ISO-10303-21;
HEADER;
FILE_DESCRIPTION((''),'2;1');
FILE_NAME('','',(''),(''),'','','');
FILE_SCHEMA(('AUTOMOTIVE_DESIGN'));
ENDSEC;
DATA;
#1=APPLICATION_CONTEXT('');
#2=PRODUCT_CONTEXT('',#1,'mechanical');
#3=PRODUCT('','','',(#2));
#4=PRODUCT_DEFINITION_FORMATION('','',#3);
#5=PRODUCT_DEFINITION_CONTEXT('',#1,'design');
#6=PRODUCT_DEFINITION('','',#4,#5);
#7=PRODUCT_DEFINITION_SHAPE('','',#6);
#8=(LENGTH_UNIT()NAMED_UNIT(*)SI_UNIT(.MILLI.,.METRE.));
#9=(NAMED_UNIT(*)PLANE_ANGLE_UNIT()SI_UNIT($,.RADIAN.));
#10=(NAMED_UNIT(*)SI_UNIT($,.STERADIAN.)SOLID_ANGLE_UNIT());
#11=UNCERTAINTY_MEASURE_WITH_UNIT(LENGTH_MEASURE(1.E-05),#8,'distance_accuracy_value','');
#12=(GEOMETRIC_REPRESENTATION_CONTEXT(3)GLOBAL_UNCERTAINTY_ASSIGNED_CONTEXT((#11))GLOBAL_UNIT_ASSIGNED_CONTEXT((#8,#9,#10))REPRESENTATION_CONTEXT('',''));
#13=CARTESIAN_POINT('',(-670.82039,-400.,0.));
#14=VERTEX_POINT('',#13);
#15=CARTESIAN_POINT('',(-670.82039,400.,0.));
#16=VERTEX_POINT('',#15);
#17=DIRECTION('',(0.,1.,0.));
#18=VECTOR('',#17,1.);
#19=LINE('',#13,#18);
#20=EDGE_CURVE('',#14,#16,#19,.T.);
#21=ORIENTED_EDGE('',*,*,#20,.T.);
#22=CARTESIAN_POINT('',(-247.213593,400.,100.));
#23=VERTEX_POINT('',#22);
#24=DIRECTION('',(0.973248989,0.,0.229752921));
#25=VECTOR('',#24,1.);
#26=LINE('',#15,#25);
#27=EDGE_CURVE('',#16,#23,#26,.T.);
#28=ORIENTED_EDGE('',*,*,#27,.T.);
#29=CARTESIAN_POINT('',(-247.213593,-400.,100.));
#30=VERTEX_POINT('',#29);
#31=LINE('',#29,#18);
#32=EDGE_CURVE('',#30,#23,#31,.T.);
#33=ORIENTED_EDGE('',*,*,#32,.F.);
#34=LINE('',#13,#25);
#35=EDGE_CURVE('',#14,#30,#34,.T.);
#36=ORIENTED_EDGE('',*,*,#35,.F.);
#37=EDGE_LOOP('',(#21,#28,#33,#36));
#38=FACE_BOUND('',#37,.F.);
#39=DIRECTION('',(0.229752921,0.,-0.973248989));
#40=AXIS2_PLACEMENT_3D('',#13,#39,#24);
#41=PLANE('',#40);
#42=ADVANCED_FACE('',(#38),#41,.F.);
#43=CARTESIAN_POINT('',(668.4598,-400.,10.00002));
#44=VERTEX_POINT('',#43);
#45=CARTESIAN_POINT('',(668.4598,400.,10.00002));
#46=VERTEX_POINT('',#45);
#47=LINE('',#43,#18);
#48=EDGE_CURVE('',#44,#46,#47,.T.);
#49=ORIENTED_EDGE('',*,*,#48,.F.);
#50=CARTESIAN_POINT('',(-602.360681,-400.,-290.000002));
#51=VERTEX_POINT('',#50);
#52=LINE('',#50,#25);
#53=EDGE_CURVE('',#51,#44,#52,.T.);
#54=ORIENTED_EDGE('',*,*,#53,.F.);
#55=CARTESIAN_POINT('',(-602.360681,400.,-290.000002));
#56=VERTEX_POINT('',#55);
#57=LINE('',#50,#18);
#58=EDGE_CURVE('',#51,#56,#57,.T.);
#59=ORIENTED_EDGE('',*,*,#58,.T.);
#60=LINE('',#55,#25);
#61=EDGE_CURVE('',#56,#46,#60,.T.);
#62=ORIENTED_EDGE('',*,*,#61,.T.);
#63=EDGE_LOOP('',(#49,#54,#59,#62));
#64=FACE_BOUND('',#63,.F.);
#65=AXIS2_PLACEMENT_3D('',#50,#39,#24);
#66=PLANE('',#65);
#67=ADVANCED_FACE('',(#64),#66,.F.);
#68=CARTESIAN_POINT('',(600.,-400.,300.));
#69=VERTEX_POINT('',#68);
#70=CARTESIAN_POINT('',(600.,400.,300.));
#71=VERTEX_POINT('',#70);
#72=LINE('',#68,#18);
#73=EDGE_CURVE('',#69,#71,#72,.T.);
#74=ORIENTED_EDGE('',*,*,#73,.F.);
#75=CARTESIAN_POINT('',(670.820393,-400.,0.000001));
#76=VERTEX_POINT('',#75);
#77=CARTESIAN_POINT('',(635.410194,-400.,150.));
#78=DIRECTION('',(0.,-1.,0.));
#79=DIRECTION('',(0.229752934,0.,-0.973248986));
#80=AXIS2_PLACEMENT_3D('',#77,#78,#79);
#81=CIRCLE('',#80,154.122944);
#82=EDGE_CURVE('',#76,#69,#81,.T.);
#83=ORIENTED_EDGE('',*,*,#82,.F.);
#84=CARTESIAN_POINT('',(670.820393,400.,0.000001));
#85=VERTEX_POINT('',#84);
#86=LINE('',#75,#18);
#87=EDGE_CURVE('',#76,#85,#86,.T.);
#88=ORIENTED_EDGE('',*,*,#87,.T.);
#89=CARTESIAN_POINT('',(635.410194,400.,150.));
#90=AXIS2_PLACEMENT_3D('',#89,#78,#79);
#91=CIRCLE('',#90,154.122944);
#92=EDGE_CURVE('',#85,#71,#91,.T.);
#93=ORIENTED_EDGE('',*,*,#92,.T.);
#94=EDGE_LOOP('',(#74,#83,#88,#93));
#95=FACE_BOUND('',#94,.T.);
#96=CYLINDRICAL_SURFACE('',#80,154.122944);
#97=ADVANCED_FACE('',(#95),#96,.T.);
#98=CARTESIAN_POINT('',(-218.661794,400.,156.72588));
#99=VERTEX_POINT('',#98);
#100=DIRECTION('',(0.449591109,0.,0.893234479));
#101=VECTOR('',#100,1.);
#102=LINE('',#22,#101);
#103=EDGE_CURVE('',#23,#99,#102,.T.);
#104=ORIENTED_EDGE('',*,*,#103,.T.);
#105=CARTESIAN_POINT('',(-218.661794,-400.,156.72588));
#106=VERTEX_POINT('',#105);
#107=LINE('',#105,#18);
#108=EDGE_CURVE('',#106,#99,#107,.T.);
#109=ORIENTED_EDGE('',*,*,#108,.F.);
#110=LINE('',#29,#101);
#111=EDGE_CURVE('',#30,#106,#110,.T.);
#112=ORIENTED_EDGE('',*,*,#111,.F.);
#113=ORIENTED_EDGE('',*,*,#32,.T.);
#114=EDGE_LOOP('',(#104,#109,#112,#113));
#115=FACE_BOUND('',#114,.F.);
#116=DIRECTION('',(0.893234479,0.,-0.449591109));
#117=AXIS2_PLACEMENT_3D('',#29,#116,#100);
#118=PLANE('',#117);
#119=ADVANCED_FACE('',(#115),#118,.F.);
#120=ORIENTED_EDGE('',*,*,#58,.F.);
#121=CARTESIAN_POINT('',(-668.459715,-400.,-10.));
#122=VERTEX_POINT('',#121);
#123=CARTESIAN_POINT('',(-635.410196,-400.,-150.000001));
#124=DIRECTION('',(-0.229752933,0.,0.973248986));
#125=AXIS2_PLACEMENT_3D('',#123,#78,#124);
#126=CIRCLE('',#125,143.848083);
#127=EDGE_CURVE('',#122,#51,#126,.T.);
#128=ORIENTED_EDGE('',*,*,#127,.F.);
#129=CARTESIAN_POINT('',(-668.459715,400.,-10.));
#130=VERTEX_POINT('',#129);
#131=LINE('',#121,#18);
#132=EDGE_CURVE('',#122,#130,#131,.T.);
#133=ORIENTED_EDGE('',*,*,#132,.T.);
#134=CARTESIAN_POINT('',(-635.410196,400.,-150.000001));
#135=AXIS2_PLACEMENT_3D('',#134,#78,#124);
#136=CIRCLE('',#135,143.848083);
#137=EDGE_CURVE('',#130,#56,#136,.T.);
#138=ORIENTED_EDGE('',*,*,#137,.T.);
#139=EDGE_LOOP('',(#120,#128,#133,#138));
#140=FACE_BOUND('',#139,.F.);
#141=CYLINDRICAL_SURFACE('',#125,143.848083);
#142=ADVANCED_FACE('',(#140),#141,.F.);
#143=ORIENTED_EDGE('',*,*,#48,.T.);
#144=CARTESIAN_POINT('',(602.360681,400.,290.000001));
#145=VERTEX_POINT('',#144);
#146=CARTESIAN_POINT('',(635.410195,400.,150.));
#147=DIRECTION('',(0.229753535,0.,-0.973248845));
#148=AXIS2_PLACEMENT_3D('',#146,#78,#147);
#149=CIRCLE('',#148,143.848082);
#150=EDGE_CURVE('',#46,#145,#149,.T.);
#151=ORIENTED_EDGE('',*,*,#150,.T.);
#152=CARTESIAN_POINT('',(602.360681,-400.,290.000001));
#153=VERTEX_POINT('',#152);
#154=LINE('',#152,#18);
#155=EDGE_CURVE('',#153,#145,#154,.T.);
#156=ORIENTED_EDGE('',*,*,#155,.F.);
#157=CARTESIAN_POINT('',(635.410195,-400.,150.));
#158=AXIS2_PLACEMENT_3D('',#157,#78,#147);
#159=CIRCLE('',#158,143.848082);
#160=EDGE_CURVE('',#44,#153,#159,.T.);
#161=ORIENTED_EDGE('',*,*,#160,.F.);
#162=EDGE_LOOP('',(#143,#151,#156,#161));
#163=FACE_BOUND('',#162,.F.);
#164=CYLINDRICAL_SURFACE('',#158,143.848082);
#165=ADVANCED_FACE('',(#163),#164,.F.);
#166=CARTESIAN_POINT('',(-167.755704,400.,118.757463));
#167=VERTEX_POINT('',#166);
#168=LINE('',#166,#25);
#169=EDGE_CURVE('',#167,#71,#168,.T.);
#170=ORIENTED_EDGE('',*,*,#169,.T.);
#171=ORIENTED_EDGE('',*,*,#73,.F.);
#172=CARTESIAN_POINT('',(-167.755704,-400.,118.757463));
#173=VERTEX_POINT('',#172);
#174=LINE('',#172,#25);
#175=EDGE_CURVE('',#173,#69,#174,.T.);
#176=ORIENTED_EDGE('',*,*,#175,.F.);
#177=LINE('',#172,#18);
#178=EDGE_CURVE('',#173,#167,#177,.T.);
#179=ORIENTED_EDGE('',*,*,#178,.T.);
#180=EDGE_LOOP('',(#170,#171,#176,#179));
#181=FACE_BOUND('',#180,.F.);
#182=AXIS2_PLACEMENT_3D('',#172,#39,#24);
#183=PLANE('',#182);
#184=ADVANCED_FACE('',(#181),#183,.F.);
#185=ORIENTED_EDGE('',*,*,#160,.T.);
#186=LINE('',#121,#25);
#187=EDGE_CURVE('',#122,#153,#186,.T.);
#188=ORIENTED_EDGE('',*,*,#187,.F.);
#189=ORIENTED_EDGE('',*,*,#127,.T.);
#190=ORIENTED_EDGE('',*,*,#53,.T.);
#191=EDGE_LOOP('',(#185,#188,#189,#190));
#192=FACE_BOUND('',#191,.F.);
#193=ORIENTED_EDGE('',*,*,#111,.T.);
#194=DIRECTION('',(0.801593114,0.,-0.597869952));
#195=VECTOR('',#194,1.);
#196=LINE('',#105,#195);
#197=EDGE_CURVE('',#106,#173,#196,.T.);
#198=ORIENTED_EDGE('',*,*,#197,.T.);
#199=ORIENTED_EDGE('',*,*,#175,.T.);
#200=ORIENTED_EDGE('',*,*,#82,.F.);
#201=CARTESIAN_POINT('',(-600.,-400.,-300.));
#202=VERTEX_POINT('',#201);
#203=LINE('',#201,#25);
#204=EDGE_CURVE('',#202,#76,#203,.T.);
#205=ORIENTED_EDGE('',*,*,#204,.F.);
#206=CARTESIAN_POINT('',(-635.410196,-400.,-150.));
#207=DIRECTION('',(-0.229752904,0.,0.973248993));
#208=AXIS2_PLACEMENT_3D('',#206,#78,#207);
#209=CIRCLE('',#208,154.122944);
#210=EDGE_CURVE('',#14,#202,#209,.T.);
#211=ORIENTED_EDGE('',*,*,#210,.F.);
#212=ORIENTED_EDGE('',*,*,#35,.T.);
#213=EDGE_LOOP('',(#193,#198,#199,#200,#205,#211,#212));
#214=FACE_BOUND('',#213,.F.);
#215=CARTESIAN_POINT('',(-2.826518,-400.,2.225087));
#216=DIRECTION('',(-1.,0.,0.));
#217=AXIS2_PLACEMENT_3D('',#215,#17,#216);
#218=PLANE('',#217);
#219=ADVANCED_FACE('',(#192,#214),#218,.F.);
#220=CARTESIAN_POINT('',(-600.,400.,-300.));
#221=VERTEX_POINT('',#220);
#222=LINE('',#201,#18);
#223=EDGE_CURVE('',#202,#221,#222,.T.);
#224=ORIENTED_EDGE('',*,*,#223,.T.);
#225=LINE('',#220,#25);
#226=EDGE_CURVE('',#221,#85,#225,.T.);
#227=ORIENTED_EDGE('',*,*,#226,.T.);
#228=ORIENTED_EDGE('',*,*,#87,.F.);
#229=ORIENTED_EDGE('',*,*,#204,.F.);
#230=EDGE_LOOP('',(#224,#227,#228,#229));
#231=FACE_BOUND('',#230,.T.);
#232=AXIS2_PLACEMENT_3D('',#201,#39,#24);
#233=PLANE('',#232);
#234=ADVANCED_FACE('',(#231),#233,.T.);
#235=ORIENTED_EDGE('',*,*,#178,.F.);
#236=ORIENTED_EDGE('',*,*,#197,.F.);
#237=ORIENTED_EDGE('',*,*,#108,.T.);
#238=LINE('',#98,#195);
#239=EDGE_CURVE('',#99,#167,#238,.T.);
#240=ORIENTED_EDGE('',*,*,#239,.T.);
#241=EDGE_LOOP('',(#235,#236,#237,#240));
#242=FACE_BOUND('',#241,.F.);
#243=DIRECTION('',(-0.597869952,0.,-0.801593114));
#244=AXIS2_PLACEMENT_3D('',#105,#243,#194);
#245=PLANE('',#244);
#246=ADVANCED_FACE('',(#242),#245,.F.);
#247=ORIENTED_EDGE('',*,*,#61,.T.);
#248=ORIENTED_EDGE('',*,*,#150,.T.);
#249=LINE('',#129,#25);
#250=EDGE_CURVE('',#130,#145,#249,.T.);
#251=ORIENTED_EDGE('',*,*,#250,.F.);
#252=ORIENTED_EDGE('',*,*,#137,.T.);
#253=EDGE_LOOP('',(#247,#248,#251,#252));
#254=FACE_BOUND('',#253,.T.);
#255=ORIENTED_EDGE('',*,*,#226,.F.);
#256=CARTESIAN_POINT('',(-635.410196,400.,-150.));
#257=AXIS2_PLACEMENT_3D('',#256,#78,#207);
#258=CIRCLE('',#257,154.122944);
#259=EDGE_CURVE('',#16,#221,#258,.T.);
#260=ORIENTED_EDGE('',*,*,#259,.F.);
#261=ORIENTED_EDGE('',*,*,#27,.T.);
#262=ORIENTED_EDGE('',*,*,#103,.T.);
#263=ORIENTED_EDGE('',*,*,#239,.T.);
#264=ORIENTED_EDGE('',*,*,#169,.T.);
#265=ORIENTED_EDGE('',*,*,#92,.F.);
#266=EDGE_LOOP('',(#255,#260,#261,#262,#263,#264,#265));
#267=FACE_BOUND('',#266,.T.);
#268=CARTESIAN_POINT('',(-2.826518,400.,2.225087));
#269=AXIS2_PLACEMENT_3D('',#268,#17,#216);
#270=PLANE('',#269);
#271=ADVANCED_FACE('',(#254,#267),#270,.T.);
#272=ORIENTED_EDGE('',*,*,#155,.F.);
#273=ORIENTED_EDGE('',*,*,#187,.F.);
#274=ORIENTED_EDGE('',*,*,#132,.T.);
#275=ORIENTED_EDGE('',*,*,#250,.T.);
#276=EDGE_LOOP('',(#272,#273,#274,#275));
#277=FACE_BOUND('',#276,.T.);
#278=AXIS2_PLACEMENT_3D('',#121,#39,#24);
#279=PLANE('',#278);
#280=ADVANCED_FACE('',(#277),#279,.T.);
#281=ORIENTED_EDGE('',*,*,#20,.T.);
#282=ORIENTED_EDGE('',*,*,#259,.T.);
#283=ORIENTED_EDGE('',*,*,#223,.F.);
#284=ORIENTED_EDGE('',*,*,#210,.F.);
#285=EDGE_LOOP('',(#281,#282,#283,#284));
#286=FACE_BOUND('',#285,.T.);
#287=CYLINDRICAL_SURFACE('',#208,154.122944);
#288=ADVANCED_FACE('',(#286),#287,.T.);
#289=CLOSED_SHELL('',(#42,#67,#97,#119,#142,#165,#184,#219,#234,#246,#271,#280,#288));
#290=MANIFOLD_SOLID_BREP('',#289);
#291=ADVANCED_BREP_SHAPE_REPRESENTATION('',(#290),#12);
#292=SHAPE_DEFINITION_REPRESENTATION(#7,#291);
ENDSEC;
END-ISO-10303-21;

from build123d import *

# Parameters (mm, degrees)
PAD_DEPTH = 800


with BuildPart() as part:
    # Sketch → Pad (new body)
    with BuildSketch(Plane.XZ.offset(400)):
        with BuildLine():
            Line((-670.82039, 0), (-247.213593, 100))
            Line((-247.213593, 100), (-218.661794, 156.72588))
            Line((-218.661794, 156.72588), (-167.755704, 118.757463))
            Line((-167.755704, 118.757463), (600, 300))
            ThreePointArc((670.820393, 1e-06), (785.410194, 185.410196), (600, 300))
            Line((-600, -300), (670.820393, 1e-06))
            ThreePointArc((-670.82039, 0), (-785.410196, -185.410195), (-600, -300))
        make_face()
        with BuildLine():
            Line((-668.459715, -10), (602.360681, 290.000001))
            ThreePointArc((668.4598, 10.00002), (775.410185, 183.04956), (602.360681, 290.000001))
            Line((-602.360681, -290.000002), (668.4598, 10.00002))
            ThreePointArc((-668.459715, -10), (-775.410197, -183.049518), (-602.360681, -290.000002))
        make_face(mode=Mode.SUBTRACT)
    extrude(amount=-PAD_DEPTH)


solid = part.part
